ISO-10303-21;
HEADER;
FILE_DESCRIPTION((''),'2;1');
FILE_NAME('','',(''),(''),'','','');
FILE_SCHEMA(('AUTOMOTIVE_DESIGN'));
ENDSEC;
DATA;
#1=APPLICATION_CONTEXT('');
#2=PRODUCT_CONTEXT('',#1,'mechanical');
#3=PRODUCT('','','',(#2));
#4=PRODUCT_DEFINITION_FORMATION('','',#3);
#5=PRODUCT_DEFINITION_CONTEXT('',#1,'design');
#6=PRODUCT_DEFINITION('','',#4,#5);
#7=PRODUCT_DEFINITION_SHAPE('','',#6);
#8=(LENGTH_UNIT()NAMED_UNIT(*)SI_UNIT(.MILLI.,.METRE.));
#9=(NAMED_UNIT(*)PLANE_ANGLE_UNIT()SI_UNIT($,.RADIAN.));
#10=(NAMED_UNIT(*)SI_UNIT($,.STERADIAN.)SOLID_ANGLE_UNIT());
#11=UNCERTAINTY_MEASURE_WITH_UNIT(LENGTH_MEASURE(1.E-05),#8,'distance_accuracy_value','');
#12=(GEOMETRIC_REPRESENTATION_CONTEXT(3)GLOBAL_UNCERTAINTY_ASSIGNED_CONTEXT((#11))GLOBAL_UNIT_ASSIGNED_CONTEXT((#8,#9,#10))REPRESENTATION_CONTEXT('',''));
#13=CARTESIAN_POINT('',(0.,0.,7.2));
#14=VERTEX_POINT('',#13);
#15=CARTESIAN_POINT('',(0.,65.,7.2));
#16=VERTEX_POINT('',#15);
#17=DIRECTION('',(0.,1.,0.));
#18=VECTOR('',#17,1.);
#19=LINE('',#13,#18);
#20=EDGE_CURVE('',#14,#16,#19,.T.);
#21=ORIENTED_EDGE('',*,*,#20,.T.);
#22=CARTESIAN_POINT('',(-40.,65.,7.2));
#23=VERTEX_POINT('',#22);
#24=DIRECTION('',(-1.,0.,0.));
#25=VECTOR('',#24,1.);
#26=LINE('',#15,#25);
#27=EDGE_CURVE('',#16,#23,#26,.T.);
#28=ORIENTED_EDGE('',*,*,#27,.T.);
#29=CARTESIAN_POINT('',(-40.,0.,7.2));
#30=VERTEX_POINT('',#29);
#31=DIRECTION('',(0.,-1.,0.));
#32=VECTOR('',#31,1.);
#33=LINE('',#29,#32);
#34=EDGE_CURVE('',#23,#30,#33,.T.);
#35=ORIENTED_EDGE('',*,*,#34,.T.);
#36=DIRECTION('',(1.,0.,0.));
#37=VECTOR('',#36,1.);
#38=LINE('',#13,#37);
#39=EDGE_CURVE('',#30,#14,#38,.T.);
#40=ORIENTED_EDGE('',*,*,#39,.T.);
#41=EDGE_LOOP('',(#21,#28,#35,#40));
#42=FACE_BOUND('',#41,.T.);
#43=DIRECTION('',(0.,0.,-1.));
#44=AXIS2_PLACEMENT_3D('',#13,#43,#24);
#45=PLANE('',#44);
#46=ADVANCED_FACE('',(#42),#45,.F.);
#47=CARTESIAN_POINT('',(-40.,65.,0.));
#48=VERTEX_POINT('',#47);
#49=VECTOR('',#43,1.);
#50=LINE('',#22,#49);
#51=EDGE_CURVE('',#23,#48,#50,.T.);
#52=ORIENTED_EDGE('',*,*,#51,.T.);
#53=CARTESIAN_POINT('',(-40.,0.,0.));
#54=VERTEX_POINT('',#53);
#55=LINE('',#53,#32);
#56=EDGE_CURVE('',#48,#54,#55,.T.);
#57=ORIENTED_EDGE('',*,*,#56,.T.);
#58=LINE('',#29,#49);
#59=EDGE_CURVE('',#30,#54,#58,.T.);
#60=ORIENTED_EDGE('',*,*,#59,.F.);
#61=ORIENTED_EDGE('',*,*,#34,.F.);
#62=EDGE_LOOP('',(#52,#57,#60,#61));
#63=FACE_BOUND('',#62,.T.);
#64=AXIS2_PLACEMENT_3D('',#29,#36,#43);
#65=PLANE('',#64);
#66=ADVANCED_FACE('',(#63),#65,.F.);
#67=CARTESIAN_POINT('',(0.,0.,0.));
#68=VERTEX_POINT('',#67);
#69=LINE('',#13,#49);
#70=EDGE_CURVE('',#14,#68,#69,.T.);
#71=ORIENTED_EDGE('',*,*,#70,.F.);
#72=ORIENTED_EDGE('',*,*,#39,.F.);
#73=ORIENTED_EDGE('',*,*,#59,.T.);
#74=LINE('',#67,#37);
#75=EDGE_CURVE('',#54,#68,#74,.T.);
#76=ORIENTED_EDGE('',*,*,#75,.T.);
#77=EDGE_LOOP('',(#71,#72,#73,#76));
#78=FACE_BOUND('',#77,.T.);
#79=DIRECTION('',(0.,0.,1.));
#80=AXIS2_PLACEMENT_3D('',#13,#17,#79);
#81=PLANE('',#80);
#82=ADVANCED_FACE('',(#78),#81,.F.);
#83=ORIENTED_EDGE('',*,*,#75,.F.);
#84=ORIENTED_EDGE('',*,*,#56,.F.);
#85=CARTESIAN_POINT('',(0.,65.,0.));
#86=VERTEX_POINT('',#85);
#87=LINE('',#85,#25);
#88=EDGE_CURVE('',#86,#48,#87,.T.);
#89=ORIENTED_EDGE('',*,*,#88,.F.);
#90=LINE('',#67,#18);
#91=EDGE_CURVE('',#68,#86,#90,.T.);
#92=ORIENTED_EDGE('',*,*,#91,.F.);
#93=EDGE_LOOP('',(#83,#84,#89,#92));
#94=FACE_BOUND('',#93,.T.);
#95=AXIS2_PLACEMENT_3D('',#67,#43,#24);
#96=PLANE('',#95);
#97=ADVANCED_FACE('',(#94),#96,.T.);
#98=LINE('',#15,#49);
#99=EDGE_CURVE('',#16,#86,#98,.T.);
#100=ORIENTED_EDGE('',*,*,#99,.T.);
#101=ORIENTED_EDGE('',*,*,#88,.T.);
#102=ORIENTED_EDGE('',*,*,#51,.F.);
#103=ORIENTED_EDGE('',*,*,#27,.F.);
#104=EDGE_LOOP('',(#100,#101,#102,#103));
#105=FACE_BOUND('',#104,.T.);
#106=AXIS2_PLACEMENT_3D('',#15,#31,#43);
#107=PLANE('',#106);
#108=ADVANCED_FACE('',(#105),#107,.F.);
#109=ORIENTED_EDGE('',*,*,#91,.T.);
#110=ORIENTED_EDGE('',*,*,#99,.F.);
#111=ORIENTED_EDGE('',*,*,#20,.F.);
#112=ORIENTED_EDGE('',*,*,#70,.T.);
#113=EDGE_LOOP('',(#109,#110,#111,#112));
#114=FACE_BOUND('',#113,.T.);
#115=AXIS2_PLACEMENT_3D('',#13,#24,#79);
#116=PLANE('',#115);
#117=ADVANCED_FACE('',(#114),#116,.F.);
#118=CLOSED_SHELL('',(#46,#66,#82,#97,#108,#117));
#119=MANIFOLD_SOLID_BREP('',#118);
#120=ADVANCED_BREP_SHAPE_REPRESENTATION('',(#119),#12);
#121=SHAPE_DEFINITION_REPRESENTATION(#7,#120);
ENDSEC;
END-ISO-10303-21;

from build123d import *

# Parameters (mm, degrees)
SKETCH1_W           = 65
SKETCH1_H           = 40
BOSS_EXTRUDE1_DEPTH = 7.2


with BuildPart() as part:
    # Sketch1 → Boss-Extrude1 (new body)
    with BuildSketch(Plane(origin=(0, 0, 0), x_dir=(0, 1, 0), z_dir=(0, 0, 1))):
        with Locations((32.5, 20)):
            Rectangle(SKETCH1_W, SKETCH1_H)
    extrude(amount=BOSS_EXTRUDE1_DEPTH)


solid = part.part
